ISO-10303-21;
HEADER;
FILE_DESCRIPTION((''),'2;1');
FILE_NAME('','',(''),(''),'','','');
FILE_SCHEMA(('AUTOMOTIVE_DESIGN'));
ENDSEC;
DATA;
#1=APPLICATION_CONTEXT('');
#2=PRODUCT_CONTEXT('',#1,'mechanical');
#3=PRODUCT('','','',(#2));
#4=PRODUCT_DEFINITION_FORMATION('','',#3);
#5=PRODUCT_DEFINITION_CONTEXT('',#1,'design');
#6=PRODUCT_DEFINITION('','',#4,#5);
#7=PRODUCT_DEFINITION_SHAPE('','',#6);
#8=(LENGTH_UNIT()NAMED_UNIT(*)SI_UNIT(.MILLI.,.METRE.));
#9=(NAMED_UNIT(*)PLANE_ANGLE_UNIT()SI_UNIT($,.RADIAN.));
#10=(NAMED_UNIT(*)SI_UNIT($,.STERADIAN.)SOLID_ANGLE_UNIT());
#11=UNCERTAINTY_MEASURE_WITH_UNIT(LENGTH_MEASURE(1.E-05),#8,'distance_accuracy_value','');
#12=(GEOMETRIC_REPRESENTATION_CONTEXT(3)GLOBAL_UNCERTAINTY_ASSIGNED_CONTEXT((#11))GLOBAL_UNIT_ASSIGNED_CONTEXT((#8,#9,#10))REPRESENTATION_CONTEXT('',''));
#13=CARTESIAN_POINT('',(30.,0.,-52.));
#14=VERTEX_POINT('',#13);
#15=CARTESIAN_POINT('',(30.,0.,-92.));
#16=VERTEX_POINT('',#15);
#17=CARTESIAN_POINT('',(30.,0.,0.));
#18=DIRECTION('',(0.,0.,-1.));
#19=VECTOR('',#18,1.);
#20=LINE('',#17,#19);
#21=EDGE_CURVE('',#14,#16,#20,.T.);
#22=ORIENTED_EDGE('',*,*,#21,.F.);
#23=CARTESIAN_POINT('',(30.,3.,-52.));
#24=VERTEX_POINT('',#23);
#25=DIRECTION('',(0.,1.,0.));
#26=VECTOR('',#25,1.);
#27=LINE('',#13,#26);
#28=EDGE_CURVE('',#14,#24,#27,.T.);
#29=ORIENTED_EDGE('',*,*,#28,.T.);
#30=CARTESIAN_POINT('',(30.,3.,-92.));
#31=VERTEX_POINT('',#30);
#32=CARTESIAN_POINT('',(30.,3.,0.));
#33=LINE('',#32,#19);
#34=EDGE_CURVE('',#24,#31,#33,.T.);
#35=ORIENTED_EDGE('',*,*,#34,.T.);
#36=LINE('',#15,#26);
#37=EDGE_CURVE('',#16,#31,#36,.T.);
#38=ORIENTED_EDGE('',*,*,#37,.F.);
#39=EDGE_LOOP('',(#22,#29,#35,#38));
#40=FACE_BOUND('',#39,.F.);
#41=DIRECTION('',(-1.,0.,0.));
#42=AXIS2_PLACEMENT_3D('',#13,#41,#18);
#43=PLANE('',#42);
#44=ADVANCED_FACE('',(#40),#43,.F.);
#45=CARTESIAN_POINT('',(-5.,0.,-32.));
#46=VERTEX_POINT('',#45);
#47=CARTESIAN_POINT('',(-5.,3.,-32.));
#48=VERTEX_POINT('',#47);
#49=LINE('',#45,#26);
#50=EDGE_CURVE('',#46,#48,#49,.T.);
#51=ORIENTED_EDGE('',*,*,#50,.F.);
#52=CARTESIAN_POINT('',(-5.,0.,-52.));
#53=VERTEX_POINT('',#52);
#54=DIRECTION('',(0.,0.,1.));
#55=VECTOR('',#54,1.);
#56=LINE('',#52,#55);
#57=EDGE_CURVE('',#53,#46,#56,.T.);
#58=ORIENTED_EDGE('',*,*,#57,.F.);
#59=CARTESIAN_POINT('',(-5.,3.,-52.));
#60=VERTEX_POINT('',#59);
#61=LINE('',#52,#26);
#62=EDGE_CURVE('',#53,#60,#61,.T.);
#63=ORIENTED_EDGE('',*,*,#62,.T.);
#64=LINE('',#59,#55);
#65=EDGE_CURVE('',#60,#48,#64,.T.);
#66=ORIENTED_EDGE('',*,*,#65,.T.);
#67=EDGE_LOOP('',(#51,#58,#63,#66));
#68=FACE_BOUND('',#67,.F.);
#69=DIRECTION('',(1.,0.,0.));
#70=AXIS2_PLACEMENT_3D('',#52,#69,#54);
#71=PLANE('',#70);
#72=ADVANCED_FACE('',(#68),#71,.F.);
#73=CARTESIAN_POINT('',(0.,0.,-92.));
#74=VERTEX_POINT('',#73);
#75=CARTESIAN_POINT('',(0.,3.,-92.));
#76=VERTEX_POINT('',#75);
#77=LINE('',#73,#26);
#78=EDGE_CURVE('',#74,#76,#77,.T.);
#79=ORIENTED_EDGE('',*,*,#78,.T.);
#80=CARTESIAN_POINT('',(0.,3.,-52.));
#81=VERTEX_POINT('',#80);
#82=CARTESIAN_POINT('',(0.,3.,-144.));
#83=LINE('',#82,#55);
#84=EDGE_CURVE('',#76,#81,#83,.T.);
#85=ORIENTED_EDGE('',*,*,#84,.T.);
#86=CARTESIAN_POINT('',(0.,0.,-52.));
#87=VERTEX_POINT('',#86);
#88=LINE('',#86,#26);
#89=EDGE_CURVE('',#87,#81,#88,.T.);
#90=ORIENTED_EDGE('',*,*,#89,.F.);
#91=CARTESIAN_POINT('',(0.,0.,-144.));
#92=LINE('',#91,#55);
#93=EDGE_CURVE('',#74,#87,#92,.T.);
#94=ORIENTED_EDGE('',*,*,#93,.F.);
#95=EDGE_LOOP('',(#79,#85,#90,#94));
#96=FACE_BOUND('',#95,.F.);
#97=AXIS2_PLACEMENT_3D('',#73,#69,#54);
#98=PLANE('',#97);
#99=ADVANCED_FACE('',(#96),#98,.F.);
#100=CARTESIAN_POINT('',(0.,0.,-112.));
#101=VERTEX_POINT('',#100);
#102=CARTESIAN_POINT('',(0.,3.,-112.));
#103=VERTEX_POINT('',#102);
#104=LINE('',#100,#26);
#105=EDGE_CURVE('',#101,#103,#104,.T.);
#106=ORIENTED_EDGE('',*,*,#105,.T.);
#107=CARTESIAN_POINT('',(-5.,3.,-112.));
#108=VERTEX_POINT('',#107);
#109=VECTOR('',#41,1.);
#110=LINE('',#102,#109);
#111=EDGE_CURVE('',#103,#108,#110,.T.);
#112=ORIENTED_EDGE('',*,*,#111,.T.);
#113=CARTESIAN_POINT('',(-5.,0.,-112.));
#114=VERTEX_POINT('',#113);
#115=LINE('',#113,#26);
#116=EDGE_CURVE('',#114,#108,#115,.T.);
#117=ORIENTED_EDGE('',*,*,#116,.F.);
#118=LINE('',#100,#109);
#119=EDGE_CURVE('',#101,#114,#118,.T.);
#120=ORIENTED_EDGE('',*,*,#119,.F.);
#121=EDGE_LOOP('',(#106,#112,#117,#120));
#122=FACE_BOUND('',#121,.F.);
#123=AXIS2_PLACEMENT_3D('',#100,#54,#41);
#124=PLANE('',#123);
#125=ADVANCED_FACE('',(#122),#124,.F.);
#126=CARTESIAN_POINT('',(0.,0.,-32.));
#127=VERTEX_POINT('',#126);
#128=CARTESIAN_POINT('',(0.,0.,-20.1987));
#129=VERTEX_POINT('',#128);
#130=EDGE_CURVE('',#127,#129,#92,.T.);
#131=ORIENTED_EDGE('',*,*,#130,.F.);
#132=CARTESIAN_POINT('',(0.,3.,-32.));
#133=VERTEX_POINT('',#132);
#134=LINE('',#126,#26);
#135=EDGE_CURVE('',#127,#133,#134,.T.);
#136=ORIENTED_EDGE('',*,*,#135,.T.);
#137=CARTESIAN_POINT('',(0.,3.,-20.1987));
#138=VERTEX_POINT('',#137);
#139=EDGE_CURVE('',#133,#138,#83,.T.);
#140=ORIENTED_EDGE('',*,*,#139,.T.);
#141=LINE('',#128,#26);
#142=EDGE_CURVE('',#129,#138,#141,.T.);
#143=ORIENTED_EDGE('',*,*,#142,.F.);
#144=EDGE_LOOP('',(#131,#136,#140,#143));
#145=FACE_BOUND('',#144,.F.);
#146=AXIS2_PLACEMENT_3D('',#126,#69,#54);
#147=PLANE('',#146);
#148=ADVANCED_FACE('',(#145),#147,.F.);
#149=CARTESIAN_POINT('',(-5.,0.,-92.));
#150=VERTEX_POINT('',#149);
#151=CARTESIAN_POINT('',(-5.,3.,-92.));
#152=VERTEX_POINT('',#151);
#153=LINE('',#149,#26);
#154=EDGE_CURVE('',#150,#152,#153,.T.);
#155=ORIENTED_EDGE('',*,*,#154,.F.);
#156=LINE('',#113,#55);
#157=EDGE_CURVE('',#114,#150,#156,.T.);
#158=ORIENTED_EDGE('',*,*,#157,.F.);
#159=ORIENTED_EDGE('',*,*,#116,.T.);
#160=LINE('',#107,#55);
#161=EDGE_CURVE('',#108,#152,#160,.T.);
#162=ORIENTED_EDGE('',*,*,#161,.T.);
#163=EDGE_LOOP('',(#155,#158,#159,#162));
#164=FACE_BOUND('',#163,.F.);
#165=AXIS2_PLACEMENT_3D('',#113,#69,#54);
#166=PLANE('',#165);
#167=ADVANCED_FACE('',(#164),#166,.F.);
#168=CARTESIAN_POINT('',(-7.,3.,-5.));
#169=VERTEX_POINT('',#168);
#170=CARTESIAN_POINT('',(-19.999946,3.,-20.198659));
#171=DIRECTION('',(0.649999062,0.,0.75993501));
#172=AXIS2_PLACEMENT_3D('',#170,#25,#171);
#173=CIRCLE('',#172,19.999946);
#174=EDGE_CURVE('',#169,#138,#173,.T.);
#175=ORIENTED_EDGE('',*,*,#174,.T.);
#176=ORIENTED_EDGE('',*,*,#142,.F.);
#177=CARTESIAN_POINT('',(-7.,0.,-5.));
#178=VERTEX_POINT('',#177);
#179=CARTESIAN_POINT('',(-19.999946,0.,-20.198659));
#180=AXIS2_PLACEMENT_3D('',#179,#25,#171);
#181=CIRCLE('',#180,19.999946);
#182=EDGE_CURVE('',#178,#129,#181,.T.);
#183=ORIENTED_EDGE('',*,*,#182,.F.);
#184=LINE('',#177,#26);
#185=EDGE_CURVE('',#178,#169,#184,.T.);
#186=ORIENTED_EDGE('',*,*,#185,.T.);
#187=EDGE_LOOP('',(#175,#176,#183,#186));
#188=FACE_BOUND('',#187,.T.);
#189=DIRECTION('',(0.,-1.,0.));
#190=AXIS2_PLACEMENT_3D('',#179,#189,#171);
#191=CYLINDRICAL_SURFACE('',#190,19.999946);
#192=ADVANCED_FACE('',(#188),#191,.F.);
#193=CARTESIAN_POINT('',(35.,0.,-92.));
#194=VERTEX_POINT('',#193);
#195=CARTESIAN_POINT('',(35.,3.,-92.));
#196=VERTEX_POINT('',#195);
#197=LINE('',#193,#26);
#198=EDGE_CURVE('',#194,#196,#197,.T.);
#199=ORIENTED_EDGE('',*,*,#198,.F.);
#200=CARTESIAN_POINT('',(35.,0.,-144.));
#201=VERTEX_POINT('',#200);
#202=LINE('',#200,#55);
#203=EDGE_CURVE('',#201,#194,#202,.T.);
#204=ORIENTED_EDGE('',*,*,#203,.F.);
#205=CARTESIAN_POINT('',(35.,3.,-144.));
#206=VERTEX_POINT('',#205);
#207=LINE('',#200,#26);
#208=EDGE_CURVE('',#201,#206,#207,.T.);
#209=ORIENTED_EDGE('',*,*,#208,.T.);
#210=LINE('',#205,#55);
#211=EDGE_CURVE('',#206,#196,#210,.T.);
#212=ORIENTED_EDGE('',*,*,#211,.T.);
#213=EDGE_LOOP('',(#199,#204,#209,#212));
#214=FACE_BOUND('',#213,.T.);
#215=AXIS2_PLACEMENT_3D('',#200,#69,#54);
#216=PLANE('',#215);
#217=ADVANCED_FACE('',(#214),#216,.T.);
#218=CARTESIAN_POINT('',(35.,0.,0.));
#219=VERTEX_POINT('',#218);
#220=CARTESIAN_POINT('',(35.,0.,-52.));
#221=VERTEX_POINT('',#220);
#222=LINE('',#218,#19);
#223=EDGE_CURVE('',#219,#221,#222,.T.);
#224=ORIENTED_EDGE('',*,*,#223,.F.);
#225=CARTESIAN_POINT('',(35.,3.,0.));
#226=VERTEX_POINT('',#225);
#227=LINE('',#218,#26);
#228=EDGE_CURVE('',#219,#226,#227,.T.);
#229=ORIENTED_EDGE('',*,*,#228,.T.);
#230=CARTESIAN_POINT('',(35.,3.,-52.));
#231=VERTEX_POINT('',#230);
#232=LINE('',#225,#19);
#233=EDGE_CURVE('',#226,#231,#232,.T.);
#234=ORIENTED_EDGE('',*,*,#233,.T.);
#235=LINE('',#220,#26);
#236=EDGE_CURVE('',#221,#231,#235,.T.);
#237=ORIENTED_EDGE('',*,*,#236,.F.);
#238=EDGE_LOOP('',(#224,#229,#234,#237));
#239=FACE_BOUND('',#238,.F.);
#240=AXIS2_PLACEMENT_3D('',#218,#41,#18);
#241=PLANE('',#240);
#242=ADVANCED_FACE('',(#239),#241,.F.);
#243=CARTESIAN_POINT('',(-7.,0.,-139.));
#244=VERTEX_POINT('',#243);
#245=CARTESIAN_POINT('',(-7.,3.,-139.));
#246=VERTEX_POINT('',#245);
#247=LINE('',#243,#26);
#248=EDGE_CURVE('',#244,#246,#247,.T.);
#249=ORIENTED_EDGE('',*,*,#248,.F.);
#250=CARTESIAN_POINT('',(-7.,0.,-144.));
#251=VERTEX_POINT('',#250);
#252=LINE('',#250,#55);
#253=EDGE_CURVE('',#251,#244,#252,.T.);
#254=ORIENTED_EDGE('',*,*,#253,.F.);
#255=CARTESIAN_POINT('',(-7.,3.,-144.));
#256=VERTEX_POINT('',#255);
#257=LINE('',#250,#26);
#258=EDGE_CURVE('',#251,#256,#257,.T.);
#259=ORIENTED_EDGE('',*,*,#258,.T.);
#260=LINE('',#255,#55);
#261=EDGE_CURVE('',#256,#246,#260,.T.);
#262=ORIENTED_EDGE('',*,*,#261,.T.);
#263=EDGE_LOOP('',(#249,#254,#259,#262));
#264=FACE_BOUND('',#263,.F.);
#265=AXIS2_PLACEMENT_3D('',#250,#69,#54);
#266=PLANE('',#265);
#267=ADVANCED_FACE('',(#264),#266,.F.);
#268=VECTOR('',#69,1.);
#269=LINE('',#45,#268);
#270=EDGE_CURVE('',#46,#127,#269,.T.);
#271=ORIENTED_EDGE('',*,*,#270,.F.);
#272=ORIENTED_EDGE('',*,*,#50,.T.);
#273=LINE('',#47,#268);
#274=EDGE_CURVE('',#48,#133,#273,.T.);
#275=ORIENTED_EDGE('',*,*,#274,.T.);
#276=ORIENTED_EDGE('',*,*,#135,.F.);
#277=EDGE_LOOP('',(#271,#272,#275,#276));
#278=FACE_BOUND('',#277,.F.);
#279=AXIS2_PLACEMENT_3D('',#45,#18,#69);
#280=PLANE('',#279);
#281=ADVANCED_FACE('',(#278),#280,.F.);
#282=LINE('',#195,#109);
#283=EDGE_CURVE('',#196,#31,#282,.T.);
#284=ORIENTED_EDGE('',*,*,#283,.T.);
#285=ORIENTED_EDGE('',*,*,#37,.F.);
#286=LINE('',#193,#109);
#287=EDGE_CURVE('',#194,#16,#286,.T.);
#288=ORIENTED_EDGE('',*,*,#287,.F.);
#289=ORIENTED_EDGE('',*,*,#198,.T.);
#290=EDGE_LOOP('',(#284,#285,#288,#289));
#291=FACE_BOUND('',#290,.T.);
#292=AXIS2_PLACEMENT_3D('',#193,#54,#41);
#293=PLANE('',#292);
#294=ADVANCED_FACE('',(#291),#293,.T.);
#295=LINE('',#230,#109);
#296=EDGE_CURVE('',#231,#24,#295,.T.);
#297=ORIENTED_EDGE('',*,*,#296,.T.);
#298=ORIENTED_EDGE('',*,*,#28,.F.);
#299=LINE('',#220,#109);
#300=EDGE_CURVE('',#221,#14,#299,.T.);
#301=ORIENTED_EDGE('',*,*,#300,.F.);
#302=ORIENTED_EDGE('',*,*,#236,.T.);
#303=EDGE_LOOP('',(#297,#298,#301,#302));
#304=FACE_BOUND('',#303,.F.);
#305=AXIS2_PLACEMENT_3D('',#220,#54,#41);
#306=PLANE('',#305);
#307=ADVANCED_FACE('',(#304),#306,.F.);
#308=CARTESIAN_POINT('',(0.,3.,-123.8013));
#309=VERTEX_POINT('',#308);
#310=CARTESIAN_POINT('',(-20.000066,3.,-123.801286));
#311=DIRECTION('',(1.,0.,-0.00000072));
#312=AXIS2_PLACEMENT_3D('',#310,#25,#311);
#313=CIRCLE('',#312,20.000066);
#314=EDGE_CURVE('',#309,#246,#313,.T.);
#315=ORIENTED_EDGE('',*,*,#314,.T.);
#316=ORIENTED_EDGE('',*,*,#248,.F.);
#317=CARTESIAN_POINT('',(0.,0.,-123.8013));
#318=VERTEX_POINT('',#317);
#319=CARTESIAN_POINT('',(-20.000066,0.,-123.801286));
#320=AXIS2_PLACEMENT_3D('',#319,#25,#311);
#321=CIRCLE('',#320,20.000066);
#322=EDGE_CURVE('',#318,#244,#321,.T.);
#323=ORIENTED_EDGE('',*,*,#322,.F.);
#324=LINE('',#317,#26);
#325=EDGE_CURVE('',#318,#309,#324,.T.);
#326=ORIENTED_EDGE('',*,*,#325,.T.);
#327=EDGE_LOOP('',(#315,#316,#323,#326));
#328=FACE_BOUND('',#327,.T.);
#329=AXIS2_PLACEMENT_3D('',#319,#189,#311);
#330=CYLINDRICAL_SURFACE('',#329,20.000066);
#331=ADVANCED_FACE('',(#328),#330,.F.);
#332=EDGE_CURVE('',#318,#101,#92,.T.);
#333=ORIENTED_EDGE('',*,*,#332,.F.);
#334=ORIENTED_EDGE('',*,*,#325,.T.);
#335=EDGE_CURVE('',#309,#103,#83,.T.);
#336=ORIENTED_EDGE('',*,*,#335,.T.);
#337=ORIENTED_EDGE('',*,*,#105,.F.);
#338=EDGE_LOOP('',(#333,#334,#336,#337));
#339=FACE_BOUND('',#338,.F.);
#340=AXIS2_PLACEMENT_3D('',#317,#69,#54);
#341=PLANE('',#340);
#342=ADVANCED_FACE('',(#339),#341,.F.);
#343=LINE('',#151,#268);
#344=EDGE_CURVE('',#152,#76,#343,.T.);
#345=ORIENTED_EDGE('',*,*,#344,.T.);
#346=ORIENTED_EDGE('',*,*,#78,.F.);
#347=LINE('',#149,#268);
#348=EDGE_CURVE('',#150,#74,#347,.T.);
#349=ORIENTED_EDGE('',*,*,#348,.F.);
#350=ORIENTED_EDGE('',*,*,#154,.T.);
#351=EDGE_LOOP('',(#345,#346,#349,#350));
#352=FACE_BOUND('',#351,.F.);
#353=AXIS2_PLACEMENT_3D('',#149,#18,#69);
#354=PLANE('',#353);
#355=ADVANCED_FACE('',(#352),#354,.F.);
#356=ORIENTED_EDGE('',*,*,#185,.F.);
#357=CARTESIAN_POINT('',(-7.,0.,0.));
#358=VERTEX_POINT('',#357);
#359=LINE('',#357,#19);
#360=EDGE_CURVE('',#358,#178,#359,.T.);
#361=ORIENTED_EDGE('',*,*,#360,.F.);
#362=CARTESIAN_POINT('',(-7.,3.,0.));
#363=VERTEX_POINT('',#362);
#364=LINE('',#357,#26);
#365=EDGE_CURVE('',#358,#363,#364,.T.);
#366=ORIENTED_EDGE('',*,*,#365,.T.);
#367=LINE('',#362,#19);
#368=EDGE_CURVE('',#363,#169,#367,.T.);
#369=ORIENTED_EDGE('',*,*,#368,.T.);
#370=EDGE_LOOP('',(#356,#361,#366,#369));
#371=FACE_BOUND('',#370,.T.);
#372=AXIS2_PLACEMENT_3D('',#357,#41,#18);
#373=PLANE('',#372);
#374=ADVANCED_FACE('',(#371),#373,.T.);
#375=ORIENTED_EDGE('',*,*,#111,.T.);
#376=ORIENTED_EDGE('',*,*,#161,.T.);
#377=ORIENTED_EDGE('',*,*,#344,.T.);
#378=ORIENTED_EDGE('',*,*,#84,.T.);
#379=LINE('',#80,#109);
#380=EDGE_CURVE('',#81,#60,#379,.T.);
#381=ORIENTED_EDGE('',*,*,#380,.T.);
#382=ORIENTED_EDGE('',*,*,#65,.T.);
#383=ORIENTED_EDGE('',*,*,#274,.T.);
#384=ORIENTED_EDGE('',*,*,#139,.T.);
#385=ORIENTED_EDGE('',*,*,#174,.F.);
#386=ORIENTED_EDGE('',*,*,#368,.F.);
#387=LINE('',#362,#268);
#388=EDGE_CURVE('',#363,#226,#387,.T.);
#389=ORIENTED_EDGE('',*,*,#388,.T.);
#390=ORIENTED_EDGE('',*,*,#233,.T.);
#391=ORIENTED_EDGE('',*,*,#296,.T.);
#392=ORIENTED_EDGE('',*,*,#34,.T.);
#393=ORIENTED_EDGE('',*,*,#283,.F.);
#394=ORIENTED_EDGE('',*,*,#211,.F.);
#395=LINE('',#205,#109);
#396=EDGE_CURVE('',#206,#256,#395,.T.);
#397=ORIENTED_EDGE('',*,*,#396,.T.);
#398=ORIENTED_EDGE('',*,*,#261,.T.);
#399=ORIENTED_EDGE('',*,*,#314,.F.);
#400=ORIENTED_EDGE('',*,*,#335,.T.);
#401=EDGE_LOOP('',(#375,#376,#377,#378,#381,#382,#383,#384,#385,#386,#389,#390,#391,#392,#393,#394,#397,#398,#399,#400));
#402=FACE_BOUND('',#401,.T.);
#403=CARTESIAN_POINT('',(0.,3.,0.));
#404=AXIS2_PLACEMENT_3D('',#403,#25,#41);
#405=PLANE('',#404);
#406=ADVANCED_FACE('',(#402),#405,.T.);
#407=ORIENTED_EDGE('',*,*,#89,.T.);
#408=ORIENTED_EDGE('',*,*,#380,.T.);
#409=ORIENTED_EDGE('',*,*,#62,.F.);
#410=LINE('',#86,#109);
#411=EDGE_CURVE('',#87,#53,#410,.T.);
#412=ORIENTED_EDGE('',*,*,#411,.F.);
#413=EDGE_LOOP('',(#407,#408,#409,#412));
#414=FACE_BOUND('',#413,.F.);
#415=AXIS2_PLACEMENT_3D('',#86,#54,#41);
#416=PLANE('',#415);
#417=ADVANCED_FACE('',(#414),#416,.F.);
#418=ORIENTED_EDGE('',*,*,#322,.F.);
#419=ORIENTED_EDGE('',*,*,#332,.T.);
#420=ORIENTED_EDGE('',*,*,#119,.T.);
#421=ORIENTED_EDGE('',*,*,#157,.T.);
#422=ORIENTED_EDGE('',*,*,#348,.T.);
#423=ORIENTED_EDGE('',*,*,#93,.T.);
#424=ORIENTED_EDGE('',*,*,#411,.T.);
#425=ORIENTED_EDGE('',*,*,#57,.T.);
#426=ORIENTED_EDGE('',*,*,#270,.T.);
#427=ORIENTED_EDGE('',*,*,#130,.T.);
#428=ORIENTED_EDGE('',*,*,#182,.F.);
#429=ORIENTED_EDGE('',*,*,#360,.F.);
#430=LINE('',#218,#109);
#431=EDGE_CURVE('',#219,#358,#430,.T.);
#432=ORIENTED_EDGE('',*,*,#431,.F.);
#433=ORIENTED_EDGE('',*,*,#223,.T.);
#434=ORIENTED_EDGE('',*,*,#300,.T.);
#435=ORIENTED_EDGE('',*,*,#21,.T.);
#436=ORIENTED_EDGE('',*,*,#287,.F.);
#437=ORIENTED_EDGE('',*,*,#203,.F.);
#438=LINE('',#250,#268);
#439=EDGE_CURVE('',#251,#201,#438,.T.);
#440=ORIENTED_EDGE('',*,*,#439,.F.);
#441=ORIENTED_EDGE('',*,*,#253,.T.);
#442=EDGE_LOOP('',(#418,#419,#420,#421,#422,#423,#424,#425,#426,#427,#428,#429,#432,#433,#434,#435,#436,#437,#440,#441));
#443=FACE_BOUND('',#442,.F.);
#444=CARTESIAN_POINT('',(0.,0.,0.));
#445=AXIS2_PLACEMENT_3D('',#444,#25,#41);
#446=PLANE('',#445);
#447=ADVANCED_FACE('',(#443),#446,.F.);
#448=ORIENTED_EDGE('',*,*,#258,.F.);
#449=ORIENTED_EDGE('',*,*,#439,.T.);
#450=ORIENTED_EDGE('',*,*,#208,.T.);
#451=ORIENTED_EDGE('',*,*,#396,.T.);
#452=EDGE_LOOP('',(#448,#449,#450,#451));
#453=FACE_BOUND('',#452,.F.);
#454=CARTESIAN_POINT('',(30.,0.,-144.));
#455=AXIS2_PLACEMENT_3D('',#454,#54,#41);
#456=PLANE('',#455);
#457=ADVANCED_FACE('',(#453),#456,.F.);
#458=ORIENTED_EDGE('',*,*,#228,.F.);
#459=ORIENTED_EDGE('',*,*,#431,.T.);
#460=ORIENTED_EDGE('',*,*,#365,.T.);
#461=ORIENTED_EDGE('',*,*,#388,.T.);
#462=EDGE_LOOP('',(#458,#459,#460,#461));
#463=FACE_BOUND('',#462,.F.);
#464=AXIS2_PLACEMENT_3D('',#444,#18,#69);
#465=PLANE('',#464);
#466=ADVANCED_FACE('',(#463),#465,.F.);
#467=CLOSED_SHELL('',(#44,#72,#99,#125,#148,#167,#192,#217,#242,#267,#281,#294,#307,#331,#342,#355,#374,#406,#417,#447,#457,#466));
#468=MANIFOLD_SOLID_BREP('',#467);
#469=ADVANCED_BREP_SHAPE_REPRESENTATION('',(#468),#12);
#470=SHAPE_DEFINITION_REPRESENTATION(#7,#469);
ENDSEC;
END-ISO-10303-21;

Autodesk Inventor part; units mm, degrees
ref_plane "YZ Plane" through (0, 0, 0) normal (1, 0, 0) x (0, 1, 0)
ref_plane "XZ Plane" through (0, 0, 0) normal (0, 1, 0) x (-1, 0, 0)
ref_plane "XY Plane" through (0, 0, 0) normal (0, 0, 1) x (1, 0, 0)
sketch "Sketch2" plane through (0, 0, 0) normal (0, 1, 0) x (-1, 0, 0)
  line L0 (0, 0) -> (-30, 0)
  line L1 (-30, 0) -> (-30, -144)
  line L2 (-30, -144) -> (0, -144)
  line L3 (0, -144) -> (0, 0)
  line L4 (0, 0) -> (7, 0)
  line L5 (7, 0) -> (7, -5)
  arc A0 (7, -5) -> (0, -20.1987) centre (20, -20.1987) ccw
  line L6 (0, -144) -> (7, -144)
  line L7 (7, -144) -> (7, -139)
  arc A1 (0, -123.8013) -> (7, -139) centre (20, -123.8013) ccw
  line L8 (-30, 0) -> (-35, 0)
  line L9 (-35, 0) -> (-35, -52)
  line L10 (-35, -52) -> (-30, -52)
  line L11 (-30, -52) -> (-30, 0)
  line L12 (-30, -144) -> (-35, -144)
  line L13 (-35, -144) -> (-35, -92)
  line L14 (-35, -92) -> (-30, -92)
  line L15 (-30, -92) -> (-30, -144)
  line L16 (5, -32) -> (0, -32)
  line L17 (0, -52) -> (5, -52)
  line L18 (5, -52) -> (5, -32)
  line L19 (5, -92) -> (0, -92)
  line L20 (0, -112) -> (5, -112)
  line L21 (5, -112) -> (5, -92)
  dimension "d0" = 144
  dimension "d1" = 30
  dimension "d2" = 5
  dimension "d3" = 7
  dimension "d4" = 20
  dimension "d5" = 7
  dimension "d6" = 5
  dimension "d9" = 20
  dimension "d10" = 5
  dimension "d11" = 5
  dimension "d12" = 40
  dimension "d13" = 40
  dimension "d14" = 5
  dimension "d15" = 5
  dimension "d16" = 20
  dimension "d17" = 20
extrude "Cuerpo" add sketch "Sketch2" along normal blind 3
equation "\"d0\" = deslizador_largo"
equation "\"d1\" = deslizador_ancho"
equation "\"d2\" = deslizador_interruptor_largo"
equation "\"d3\" = deslizador_interruptor_ancho"
equation "\"d4\" = deslizador_interruptor_angulo"
equation "\"d5\" = d3"
equation "\"d6\" = d2"
equation "\"d9\" = d4"
equation "\"d10\" = deslizador_saliente"
equation "\"d11\" = d10"
equation "\"d12\" = movimiento_deslizador + deslizador_tope_largo"
equation "\"d13\" = d12"
equation "\"d14\" = d10"
equation "\"d15\" = d10"
equation "\"d16\" = deslizador_saliente_largo"
equation "\"d17\" = d16"
equation "\"d18\" = deslizador_alto"
equation "\"margen\" = 0.3"
equation "\"base_alto\" = 3"
equation "\"muros_grosor\" = 3"
equation "\"rail_alto\" = 1.5"
equation "\"rail_grosor\" = 5"
equation "\"hoja_stop_posicion\" = 5"
equation "\"hoja_stop_saliente\" = 5"
equation "\"hoja_stop_largo\" = 5"
equation "\"hoja_alto\" = 3"
equation "\"hoja_stop_biselado\" = 2"
equation "\"hoja_filo_biselado\" = 0.5"
equation "\"hoja_cola_biselado\" = 1"
equation "\"deslizador_soporte_alto\" = 4"
equation "\"deslizador_tope_alto\" = 5"
equation "\"deslizador_soporte_ancho\" = 5"
equation "\"deslizador_tope_largo\" = 10"
equation "\"deslizador_alto\" = 3"
equation "\"tirador_agarre_largo\" = 3"
equation "\"movimiento_deslizador\" = 30"
equation "\"deslizador_largo\" = 144"
equation "\"deslizador_ancho\" = 30"
equation "\"deslizador_saliente\" = 5"
equation "\"deslizador_interruptor_angulo\" = 20"
equation "\"deslizador_interruptor_largo\" = 5"
equation "\"deslizador_interruptor_ancho\" = 7"
equation "\"deslizador_saliente_largo\" = 20"
equation "\"traba_top_alto\" = 3"
equation "\"traba_top_largo\" = 5"
equation "\"traba_alto\" = 4"
equation "\"traba_ancho\" = 3"
equation "\"traba_largo\" = 39"
equation "\"traba_diametro\" = 5"
equation "\"traba_diametro_perforacion\" = 2"
equation "\"base_separacion_agujeros\" = 4"
equation "\"base_agujeros_separacion\" = 3.5"
equation "\"base_agujeros_diametro\" = 2"
properties part number "Deslizador"
